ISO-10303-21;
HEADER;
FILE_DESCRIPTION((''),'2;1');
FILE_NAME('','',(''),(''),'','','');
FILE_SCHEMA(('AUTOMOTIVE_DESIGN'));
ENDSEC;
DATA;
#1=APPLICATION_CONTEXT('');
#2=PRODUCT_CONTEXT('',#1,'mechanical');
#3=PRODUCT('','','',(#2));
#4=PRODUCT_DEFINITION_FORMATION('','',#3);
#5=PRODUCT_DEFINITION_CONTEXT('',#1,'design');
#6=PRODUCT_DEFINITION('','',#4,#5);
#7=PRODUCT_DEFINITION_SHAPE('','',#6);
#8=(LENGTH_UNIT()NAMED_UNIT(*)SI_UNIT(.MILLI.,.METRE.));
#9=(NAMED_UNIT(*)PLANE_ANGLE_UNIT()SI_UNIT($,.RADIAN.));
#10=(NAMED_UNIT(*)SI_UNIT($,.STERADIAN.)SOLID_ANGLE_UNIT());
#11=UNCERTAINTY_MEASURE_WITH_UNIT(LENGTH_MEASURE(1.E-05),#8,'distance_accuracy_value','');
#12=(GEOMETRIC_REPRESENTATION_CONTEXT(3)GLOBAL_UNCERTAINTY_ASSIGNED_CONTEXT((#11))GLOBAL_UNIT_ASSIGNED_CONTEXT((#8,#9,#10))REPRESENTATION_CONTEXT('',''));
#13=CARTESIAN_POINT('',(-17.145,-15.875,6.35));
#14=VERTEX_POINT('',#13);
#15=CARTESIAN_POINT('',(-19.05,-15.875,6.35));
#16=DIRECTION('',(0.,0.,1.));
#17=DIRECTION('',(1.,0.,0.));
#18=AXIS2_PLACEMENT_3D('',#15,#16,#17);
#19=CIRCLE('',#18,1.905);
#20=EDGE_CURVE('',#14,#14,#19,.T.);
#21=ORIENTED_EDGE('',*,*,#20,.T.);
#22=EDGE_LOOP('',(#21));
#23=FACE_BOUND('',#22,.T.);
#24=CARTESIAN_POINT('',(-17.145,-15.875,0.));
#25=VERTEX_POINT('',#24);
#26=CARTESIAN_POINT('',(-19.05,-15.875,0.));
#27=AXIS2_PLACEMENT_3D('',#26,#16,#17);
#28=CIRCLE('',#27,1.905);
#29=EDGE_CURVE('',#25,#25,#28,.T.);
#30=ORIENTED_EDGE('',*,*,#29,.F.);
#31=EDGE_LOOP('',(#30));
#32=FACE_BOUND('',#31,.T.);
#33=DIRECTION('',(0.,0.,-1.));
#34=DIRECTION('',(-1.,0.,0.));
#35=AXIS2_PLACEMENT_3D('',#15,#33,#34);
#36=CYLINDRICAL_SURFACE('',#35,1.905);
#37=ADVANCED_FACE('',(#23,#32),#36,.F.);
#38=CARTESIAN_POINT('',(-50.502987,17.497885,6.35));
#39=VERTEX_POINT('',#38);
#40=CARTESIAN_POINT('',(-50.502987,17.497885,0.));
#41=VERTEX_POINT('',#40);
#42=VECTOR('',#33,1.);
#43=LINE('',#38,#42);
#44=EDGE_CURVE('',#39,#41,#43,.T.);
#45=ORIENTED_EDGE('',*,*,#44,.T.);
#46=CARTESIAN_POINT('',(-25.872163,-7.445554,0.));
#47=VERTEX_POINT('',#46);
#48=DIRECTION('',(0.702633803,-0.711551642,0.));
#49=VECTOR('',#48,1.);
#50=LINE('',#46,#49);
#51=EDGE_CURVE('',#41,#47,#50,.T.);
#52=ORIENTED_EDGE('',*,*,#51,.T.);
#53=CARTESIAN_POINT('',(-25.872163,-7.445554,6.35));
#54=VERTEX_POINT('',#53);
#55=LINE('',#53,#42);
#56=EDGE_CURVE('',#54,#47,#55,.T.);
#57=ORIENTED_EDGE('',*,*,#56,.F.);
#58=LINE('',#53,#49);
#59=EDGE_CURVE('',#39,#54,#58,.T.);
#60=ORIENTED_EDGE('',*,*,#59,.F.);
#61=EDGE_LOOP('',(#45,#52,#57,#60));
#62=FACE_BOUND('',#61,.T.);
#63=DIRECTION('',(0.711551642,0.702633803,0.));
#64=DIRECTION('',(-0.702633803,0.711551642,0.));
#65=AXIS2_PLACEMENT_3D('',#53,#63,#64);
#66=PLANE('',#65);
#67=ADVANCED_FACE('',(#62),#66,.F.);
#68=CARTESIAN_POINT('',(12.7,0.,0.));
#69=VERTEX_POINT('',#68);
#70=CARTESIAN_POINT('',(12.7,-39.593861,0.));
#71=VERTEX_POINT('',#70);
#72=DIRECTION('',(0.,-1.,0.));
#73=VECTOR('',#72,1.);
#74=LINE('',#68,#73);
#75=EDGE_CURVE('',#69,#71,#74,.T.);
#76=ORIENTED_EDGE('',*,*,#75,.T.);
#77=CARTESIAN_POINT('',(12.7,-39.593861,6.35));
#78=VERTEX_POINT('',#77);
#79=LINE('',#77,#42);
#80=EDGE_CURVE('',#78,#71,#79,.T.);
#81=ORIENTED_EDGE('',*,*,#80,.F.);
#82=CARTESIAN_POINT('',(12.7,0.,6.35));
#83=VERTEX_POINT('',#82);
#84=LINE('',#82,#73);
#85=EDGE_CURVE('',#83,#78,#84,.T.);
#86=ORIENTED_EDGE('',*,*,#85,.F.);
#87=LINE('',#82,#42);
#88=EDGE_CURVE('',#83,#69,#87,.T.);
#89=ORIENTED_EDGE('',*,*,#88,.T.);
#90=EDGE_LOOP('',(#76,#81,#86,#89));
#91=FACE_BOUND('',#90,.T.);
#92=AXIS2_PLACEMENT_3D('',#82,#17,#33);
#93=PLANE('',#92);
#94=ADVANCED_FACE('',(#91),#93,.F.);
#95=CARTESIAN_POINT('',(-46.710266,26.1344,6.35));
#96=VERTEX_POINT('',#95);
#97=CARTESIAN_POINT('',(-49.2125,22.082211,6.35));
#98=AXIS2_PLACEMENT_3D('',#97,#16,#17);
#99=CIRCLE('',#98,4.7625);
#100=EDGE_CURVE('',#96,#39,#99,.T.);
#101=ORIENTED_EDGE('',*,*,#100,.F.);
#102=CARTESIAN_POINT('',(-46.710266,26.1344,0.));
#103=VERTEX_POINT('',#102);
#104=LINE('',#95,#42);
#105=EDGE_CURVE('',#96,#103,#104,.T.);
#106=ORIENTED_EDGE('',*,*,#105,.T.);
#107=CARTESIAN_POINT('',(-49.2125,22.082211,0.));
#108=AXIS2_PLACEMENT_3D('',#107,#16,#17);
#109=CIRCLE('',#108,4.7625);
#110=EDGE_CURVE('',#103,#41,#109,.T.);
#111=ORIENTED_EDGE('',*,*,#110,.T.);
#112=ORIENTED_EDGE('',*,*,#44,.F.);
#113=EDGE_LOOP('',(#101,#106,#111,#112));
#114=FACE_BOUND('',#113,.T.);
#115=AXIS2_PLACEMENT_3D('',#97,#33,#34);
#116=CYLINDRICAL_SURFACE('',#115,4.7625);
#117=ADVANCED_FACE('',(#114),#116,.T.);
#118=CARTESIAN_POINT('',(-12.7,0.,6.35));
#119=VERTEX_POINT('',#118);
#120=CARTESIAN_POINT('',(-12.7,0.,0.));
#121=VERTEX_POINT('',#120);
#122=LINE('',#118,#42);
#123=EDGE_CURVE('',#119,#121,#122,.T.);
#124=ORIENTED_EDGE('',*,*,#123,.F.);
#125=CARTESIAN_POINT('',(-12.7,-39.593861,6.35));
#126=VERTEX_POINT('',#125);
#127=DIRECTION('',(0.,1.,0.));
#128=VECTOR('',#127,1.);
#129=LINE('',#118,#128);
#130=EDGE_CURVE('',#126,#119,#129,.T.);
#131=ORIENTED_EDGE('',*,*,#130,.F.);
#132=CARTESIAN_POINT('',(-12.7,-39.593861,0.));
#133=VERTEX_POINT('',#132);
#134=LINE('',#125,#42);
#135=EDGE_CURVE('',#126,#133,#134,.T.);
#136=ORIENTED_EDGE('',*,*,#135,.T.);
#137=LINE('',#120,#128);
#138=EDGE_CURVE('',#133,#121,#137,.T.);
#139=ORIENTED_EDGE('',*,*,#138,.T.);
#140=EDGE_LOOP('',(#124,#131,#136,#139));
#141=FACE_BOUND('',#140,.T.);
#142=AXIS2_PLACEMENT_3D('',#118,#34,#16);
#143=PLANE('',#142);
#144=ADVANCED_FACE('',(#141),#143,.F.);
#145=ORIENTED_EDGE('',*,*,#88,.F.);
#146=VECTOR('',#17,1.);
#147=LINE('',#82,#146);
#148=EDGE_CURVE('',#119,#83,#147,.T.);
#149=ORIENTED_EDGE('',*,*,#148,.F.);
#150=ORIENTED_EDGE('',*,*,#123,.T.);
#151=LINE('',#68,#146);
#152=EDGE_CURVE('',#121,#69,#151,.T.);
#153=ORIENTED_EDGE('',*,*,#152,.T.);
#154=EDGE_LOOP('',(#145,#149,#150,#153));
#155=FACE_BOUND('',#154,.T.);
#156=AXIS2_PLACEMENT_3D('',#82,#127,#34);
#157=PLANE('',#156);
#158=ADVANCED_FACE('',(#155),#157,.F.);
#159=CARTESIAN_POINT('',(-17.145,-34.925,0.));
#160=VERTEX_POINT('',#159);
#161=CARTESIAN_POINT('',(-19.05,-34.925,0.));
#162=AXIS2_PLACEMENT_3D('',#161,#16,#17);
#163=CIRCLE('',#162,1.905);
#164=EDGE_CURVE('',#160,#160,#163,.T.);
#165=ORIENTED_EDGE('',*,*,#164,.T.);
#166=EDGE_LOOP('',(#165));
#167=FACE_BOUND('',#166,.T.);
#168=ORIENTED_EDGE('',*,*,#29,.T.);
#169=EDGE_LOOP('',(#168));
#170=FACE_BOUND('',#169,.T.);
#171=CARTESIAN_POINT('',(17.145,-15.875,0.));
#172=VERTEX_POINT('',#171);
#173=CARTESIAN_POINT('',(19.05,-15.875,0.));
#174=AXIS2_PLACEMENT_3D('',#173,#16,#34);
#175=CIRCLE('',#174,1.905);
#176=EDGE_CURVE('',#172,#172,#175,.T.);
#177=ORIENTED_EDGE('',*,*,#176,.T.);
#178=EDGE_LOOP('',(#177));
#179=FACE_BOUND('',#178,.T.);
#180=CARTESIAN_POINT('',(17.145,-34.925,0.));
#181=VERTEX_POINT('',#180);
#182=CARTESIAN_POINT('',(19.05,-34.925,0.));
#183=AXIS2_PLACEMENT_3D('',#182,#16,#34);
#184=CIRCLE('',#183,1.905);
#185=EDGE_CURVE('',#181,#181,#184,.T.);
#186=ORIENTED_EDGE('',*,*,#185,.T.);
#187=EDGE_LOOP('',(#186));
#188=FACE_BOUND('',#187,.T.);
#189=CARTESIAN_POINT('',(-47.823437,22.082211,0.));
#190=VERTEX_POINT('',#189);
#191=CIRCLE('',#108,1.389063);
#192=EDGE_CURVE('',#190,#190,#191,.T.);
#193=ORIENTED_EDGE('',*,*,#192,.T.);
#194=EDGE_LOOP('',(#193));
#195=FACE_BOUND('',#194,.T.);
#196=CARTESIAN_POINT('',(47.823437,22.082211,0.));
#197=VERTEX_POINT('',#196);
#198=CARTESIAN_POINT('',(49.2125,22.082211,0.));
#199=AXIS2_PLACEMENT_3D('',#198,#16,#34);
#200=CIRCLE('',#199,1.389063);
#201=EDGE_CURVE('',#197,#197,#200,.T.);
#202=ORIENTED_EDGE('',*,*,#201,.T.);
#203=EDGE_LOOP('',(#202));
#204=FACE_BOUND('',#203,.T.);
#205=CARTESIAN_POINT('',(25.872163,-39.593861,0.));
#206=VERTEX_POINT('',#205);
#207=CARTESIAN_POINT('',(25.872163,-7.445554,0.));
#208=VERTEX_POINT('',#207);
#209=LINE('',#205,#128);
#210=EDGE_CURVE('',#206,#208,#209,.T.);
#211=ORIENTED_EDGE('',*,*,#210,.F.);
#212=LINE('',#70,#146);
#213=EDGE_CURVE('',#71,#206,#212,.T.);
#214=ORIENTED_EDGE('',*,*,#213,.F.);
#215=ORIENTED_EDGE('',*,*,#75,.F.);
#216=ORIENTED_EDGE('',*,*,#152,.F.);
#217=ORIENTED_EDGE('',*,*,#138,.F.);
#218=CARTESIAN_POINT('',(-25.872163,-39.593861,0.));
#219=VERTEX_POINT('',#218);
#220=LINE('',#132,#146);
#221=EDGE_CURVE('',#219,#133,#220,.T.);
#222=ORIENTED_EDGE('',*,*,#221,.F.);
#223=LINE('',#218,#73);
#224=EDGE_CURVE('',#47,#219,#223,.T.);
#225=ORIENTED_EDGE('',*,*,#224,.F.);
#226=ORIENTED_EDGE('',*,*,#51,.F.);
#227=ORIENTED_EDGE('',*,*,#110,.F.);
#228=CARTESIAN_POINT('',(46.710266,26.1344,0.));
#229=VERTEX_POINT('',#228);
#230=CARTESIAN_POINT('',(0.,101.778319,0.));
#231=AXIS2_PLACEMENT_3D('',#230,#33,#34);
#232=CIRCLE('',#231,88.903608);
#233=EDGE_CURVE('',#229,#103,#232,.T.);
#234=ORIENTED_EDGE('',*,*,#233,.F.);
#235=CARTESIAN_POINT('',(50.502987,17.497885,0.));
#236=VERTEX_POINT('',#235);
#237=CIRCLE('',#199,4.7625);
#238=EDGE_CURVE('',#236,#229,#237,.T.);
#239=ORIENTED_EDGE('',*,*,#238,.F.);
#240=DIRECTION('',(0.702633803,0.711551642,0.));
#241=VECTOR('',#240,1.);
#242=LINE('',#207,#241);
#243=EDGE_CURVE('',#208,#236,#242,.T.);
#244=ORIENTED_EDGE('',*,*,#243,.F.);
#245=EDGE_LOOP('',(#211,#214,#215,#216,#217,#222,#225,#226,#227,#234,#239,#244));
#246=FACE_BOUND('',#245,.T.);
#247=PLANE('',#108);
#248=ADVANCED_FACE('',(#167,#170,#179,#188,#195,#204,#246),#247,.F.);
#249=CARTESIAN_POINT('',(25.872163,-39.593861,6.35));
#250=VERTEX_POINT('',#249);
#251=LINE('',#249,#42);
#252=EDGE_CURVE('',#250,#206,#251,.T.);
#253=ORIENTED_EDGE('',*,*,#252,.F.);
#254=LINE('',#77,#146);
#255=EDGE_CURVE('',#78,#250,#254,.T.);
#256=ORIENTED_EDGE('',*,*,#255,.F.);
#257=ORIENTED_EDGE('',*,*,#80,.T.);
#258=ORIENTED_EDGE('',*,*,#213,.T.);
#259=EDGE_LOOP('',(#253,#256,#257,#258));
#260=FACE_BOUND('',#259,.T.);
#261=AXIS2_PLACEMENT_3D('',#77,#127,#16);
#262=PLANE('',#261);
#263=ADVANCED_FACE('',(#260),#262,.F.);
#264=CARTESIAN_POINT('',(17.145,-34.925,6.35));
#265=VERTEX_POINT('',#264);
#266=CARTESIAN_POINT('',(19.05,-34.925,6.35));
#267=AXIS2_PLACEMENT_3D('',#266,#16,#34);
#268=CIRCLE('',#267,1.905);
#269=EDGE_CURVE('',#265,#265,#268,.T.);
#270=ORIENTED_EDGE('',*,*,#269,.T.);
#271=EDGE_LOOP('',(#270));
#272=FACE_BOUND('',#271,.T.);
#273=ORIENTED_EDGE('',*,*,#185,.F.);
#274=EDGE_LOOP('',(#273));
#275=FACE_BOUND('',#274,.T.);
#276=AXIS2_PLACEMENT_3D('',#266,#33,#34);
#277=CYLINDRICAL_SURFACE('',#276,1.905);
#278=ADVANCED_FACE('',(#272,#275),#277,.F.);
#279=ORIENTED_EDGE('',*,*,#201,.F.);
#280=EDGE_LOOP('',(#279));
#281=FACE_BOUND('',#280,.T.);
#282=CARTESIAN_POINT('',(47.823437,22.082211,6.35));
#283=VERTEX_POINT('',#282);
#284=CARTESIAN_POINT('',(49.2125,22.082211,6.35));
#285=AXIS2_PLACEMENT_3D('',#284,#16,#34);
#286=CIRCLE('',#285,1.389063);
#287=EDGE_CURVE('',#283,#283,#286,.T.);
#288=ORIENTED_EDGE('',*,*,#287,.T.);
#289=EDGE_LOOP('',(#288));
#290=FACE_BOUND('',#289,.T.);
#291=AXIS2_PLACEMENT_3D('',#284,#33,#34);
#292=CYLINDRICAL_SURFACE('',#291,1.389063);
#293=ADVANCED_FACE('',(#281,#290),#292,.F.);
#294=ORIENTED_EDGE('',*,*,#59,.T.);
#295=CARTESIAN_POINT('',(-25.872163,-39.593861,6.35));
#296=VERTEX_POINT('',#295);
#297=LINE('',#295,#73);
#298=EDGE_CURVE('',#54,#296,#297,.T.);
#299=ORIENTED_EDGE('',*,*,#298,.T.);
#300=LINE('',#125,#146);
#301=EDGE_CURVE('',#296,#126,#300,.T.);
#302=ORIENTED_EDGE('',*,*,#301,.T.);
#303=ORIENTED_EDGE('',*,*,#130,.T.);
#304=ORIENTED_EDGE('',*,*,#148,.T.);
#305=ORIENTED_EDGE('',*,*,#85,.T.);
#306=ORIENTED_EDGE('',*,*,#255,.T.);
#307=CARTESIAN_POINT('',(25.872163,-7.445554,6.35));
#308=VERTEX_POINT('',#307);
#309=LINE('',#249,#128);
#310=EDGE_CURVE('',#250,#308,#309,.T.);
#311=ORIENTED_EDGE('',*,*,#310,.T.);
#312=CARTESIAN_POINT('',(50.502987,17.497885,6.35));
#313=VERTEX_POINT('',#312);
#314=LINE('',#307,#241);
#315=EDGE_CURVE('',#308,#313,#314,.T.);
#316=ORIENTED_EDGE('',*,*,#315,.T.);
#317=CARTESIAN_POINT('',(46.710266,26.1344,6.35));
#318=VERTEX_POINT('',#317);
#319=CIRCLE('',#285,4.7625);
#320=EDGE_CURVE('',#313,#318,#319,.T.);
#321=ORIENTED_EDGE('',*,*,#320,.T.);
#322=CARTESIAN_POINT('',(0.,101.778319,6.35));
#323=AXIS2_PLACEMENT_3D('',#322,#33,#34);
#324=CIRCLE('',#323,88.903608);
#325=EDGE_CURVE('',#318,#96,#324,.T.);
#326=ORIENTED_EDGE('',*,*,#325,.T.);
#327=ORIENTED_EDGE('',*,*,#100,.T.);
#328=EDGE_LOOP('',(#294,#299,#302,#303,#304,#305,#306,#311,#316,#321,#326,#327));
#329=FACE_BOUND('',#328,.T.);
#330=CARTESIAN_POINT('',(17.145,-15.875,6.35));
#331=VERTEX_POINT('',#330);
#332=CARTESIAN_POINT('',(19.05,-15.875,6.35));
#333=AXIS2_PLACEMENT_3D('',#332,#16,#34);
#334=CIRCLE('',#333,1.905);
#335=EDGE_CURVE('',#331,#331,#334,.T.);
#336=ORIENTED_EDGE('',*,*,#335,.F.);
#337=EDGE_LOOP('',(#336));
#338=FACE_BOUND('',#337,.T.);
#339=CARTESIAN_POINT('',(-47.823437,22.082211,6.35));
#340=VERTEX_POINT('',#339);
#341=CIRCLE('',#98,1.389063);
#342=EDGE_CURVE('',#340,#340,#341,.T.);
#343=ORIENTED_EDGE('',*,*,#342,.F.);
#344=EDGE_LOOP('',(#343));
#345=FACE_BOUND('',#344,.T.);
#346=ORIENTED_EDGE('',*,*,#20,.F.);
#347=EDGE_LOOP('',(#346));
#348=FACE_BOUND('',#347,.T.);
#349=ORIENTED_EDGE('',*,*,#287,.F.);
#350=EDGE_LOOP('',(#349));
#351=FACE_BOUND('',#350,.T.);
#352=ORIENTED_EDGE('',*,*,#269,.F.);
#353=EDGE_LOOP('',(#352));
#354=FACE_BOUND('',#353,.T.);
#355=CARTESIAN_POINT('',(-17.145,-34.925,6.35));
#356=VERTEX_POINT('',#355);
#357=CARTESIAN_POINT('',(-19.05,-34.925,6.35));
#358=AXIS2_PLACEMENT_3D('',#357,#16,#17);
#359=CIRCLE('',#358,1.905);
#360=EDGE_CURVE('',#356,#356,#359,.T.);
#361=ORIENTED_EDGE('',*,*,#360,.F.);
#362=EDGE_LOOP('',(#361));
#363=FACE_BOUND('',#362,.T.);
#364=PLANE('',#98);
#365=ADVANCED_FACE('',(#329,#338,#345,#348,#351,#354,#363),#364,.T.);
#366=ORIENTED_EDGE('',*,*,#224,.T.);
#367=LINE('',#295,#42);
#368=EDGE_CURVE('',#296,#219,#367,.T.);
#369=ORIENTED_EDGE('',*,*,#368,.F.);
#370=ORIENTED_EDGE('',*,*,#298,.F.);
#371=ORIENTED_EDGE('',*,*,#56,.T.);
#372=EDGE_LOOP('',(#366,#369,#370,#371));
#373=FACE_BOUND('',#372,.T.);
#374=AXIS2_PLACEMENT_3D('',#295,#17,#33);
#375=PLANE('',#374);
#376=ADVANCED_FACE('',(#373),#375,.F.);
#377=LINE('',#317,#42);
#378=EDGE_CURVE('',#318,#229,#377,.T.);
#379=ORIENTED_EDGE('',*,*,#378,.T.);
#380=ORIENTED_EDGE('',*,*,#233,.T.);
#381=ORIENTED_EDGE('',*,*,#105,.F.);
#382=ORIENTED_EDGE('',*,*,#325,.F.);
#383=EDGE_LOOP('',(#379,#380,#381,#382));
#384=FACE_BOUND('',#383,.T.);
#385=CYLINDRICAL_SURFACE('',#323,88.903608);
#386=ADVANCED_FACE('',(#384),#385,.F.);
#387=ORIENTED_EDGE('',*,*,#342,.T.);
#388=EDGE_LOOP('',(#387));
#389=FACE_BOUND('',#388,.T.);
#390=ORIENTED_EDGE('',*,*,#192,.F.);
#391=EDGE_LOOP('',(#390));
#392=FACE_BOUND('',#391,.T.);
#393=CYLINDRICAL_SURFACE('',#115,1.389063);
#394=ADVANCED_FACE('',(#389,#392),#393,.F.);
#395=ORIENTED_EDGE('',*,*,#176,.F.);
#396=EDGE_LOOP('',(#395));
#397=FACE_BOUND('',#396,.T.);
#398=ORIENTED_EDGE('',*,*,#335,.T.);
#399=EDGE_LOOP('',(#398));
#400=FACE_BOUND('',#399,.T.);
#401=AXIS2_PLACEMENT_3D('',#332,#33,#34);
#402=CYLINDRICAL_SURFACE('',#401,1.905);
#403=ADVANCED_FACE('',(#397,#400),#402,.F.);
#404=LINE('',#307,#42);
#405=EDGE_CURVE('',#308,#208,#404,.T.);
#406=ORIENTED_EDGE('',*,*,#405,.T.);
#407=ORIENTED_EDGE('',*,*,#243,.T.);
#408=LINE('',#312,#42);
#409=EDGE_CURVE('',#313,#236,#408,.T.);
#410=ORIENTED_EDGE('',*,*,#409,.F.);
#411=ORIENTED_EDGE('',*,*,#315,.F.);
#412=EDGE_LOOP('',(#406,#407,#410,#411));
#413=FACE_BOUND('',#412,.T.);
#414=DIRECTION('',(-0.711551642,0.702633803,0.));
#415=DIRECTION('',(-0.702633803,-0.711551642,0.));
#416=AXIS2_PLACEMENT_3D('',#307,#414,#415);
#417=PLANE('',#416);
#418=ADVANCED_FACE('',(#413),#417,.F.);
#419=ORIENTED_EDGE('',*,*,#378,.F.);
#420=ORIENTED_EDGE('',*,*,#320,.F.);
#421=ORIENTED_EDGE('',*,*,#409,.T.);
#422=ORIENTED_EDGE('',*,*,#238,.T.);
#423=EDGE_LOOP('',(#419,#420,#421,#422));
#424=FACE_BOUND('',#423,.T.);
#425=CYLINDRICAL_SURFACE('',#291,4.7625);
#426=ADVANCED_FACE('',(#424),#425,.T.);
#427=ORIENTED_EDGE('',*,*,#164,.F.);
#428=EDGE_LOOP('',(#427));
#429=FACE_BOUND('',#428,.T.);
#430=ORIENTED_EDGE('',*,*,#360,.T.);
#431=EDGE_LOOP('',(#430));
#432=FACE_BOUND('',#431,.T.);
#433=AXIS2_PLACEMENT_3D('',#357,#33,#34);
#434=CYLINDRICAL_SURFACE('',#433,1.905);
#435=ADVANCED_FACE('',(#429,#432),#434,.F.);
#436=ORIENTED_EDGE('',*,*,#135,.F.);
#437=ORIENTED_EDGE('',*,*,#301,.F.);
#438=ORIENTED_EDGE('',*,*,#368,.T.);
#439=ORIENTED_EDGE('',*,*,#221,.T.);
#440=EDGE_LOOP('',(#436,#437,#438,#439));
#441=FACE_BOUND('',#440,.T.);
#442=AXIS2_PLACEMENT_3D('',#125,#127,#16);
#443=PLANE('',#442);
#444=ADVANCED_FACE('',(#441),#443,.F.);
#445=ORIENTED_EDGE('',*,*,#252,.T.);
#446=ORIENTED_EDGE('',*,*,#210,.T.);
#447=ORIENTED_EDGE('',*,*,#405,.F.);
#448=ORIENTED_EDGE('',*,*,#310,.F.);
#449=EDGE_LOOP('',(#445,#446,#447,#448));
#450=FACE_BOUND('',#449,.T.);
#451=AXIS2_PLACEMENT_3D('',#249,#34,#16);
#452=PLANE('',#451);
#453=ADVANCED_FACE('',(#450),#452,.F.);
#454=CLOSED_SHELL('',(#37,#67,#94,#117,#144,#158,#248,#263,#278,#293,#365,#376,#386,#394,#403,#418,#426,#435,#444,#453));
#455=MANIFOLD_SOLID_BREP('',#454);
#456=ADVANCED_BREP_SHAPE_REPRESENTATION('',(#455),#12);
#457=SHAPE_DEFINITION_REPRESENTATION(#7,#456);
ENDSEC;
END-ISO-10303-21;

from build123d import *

# Parameters (mm, degrees)
SKETCH1_R           = 1.905
SKETCH1_R_2         = 1.3890625
BOSS_EXTRUDE1_DEPTH = 6.35


with BuildPart() as part:
    # Sketch1 → Boss-Extrude1 (new body)
    with BuildSketch(Plane.XY):
        with BuildLine():
            Line((12.7, 0), (-12.7, 0))
            Line((-12.7, 0), (-12.7, -39.593860647))
            Line((-12.7, -39.593860647), (-25.872163348, -39.593860647))
            Line((-25.872163348, -39.593860647), (-25.872163348, -7.44555378))
            Line((-25.872163348, -7.44555378), (-50.502986928, 17.497884605))
            ThreePointArc((-50.502986928, 17.497884605), (-53.573053894, 23.997146119), (-46.71026588, 26.134399514))
            ThreePointArc((-46.71026588, 26.134399514), (0, 12.874711135), (46.71026588, 26.134399514))
            ThreePointArc((46.71026588, 26.134399514), (53.573053894, 23.997146119), (50.502986928, 17.497884605))
            Line((50.502986928, 17.497884605), (25.872163348, -7.44555378))
            Line((25.872163348, -7.44555378), (25.872163348, -39.593860647))
            Line((25.872163348, -39.593860647), (12.7, -39.593860647))
            Line((12.7, -39.593860647), (12.7, 0))
        make_face()
        with Locations((-19.05, -15.875)):
            Circle(SKETCH1_R, mode=Mode.SUBTRACT)
        with Locations(Location((19.05, -15.875, 0), (0, 0, 180))):
            Circle(SKETCH1_R, mode=Mode.SUBTRACT)
        with Locations((-49.2125, 22.082211135)):
            Circle(SKETCH1_R_2, mode=Mode.SUBTRACT)
        with Locations((-19.05, -34.925)):
            Circle(SKETCH1_R, mode=Mode.SUBTRACT)
        with Locations(Location((19.05, -34.925, 0), (0, 0, 180))):
            Circle(SKETCH1_R, mode=Mode.SUBTRACT)
        with Locations(Location((49.2125, 22.082211135, 0), (0, 0, 180))):
            Circle(SKETCH1_R_2, mode=Mode.SUBTRACT)
    extrude(amount=BOSS_EXTRUDE1_DEPTH)


solid = part.part
